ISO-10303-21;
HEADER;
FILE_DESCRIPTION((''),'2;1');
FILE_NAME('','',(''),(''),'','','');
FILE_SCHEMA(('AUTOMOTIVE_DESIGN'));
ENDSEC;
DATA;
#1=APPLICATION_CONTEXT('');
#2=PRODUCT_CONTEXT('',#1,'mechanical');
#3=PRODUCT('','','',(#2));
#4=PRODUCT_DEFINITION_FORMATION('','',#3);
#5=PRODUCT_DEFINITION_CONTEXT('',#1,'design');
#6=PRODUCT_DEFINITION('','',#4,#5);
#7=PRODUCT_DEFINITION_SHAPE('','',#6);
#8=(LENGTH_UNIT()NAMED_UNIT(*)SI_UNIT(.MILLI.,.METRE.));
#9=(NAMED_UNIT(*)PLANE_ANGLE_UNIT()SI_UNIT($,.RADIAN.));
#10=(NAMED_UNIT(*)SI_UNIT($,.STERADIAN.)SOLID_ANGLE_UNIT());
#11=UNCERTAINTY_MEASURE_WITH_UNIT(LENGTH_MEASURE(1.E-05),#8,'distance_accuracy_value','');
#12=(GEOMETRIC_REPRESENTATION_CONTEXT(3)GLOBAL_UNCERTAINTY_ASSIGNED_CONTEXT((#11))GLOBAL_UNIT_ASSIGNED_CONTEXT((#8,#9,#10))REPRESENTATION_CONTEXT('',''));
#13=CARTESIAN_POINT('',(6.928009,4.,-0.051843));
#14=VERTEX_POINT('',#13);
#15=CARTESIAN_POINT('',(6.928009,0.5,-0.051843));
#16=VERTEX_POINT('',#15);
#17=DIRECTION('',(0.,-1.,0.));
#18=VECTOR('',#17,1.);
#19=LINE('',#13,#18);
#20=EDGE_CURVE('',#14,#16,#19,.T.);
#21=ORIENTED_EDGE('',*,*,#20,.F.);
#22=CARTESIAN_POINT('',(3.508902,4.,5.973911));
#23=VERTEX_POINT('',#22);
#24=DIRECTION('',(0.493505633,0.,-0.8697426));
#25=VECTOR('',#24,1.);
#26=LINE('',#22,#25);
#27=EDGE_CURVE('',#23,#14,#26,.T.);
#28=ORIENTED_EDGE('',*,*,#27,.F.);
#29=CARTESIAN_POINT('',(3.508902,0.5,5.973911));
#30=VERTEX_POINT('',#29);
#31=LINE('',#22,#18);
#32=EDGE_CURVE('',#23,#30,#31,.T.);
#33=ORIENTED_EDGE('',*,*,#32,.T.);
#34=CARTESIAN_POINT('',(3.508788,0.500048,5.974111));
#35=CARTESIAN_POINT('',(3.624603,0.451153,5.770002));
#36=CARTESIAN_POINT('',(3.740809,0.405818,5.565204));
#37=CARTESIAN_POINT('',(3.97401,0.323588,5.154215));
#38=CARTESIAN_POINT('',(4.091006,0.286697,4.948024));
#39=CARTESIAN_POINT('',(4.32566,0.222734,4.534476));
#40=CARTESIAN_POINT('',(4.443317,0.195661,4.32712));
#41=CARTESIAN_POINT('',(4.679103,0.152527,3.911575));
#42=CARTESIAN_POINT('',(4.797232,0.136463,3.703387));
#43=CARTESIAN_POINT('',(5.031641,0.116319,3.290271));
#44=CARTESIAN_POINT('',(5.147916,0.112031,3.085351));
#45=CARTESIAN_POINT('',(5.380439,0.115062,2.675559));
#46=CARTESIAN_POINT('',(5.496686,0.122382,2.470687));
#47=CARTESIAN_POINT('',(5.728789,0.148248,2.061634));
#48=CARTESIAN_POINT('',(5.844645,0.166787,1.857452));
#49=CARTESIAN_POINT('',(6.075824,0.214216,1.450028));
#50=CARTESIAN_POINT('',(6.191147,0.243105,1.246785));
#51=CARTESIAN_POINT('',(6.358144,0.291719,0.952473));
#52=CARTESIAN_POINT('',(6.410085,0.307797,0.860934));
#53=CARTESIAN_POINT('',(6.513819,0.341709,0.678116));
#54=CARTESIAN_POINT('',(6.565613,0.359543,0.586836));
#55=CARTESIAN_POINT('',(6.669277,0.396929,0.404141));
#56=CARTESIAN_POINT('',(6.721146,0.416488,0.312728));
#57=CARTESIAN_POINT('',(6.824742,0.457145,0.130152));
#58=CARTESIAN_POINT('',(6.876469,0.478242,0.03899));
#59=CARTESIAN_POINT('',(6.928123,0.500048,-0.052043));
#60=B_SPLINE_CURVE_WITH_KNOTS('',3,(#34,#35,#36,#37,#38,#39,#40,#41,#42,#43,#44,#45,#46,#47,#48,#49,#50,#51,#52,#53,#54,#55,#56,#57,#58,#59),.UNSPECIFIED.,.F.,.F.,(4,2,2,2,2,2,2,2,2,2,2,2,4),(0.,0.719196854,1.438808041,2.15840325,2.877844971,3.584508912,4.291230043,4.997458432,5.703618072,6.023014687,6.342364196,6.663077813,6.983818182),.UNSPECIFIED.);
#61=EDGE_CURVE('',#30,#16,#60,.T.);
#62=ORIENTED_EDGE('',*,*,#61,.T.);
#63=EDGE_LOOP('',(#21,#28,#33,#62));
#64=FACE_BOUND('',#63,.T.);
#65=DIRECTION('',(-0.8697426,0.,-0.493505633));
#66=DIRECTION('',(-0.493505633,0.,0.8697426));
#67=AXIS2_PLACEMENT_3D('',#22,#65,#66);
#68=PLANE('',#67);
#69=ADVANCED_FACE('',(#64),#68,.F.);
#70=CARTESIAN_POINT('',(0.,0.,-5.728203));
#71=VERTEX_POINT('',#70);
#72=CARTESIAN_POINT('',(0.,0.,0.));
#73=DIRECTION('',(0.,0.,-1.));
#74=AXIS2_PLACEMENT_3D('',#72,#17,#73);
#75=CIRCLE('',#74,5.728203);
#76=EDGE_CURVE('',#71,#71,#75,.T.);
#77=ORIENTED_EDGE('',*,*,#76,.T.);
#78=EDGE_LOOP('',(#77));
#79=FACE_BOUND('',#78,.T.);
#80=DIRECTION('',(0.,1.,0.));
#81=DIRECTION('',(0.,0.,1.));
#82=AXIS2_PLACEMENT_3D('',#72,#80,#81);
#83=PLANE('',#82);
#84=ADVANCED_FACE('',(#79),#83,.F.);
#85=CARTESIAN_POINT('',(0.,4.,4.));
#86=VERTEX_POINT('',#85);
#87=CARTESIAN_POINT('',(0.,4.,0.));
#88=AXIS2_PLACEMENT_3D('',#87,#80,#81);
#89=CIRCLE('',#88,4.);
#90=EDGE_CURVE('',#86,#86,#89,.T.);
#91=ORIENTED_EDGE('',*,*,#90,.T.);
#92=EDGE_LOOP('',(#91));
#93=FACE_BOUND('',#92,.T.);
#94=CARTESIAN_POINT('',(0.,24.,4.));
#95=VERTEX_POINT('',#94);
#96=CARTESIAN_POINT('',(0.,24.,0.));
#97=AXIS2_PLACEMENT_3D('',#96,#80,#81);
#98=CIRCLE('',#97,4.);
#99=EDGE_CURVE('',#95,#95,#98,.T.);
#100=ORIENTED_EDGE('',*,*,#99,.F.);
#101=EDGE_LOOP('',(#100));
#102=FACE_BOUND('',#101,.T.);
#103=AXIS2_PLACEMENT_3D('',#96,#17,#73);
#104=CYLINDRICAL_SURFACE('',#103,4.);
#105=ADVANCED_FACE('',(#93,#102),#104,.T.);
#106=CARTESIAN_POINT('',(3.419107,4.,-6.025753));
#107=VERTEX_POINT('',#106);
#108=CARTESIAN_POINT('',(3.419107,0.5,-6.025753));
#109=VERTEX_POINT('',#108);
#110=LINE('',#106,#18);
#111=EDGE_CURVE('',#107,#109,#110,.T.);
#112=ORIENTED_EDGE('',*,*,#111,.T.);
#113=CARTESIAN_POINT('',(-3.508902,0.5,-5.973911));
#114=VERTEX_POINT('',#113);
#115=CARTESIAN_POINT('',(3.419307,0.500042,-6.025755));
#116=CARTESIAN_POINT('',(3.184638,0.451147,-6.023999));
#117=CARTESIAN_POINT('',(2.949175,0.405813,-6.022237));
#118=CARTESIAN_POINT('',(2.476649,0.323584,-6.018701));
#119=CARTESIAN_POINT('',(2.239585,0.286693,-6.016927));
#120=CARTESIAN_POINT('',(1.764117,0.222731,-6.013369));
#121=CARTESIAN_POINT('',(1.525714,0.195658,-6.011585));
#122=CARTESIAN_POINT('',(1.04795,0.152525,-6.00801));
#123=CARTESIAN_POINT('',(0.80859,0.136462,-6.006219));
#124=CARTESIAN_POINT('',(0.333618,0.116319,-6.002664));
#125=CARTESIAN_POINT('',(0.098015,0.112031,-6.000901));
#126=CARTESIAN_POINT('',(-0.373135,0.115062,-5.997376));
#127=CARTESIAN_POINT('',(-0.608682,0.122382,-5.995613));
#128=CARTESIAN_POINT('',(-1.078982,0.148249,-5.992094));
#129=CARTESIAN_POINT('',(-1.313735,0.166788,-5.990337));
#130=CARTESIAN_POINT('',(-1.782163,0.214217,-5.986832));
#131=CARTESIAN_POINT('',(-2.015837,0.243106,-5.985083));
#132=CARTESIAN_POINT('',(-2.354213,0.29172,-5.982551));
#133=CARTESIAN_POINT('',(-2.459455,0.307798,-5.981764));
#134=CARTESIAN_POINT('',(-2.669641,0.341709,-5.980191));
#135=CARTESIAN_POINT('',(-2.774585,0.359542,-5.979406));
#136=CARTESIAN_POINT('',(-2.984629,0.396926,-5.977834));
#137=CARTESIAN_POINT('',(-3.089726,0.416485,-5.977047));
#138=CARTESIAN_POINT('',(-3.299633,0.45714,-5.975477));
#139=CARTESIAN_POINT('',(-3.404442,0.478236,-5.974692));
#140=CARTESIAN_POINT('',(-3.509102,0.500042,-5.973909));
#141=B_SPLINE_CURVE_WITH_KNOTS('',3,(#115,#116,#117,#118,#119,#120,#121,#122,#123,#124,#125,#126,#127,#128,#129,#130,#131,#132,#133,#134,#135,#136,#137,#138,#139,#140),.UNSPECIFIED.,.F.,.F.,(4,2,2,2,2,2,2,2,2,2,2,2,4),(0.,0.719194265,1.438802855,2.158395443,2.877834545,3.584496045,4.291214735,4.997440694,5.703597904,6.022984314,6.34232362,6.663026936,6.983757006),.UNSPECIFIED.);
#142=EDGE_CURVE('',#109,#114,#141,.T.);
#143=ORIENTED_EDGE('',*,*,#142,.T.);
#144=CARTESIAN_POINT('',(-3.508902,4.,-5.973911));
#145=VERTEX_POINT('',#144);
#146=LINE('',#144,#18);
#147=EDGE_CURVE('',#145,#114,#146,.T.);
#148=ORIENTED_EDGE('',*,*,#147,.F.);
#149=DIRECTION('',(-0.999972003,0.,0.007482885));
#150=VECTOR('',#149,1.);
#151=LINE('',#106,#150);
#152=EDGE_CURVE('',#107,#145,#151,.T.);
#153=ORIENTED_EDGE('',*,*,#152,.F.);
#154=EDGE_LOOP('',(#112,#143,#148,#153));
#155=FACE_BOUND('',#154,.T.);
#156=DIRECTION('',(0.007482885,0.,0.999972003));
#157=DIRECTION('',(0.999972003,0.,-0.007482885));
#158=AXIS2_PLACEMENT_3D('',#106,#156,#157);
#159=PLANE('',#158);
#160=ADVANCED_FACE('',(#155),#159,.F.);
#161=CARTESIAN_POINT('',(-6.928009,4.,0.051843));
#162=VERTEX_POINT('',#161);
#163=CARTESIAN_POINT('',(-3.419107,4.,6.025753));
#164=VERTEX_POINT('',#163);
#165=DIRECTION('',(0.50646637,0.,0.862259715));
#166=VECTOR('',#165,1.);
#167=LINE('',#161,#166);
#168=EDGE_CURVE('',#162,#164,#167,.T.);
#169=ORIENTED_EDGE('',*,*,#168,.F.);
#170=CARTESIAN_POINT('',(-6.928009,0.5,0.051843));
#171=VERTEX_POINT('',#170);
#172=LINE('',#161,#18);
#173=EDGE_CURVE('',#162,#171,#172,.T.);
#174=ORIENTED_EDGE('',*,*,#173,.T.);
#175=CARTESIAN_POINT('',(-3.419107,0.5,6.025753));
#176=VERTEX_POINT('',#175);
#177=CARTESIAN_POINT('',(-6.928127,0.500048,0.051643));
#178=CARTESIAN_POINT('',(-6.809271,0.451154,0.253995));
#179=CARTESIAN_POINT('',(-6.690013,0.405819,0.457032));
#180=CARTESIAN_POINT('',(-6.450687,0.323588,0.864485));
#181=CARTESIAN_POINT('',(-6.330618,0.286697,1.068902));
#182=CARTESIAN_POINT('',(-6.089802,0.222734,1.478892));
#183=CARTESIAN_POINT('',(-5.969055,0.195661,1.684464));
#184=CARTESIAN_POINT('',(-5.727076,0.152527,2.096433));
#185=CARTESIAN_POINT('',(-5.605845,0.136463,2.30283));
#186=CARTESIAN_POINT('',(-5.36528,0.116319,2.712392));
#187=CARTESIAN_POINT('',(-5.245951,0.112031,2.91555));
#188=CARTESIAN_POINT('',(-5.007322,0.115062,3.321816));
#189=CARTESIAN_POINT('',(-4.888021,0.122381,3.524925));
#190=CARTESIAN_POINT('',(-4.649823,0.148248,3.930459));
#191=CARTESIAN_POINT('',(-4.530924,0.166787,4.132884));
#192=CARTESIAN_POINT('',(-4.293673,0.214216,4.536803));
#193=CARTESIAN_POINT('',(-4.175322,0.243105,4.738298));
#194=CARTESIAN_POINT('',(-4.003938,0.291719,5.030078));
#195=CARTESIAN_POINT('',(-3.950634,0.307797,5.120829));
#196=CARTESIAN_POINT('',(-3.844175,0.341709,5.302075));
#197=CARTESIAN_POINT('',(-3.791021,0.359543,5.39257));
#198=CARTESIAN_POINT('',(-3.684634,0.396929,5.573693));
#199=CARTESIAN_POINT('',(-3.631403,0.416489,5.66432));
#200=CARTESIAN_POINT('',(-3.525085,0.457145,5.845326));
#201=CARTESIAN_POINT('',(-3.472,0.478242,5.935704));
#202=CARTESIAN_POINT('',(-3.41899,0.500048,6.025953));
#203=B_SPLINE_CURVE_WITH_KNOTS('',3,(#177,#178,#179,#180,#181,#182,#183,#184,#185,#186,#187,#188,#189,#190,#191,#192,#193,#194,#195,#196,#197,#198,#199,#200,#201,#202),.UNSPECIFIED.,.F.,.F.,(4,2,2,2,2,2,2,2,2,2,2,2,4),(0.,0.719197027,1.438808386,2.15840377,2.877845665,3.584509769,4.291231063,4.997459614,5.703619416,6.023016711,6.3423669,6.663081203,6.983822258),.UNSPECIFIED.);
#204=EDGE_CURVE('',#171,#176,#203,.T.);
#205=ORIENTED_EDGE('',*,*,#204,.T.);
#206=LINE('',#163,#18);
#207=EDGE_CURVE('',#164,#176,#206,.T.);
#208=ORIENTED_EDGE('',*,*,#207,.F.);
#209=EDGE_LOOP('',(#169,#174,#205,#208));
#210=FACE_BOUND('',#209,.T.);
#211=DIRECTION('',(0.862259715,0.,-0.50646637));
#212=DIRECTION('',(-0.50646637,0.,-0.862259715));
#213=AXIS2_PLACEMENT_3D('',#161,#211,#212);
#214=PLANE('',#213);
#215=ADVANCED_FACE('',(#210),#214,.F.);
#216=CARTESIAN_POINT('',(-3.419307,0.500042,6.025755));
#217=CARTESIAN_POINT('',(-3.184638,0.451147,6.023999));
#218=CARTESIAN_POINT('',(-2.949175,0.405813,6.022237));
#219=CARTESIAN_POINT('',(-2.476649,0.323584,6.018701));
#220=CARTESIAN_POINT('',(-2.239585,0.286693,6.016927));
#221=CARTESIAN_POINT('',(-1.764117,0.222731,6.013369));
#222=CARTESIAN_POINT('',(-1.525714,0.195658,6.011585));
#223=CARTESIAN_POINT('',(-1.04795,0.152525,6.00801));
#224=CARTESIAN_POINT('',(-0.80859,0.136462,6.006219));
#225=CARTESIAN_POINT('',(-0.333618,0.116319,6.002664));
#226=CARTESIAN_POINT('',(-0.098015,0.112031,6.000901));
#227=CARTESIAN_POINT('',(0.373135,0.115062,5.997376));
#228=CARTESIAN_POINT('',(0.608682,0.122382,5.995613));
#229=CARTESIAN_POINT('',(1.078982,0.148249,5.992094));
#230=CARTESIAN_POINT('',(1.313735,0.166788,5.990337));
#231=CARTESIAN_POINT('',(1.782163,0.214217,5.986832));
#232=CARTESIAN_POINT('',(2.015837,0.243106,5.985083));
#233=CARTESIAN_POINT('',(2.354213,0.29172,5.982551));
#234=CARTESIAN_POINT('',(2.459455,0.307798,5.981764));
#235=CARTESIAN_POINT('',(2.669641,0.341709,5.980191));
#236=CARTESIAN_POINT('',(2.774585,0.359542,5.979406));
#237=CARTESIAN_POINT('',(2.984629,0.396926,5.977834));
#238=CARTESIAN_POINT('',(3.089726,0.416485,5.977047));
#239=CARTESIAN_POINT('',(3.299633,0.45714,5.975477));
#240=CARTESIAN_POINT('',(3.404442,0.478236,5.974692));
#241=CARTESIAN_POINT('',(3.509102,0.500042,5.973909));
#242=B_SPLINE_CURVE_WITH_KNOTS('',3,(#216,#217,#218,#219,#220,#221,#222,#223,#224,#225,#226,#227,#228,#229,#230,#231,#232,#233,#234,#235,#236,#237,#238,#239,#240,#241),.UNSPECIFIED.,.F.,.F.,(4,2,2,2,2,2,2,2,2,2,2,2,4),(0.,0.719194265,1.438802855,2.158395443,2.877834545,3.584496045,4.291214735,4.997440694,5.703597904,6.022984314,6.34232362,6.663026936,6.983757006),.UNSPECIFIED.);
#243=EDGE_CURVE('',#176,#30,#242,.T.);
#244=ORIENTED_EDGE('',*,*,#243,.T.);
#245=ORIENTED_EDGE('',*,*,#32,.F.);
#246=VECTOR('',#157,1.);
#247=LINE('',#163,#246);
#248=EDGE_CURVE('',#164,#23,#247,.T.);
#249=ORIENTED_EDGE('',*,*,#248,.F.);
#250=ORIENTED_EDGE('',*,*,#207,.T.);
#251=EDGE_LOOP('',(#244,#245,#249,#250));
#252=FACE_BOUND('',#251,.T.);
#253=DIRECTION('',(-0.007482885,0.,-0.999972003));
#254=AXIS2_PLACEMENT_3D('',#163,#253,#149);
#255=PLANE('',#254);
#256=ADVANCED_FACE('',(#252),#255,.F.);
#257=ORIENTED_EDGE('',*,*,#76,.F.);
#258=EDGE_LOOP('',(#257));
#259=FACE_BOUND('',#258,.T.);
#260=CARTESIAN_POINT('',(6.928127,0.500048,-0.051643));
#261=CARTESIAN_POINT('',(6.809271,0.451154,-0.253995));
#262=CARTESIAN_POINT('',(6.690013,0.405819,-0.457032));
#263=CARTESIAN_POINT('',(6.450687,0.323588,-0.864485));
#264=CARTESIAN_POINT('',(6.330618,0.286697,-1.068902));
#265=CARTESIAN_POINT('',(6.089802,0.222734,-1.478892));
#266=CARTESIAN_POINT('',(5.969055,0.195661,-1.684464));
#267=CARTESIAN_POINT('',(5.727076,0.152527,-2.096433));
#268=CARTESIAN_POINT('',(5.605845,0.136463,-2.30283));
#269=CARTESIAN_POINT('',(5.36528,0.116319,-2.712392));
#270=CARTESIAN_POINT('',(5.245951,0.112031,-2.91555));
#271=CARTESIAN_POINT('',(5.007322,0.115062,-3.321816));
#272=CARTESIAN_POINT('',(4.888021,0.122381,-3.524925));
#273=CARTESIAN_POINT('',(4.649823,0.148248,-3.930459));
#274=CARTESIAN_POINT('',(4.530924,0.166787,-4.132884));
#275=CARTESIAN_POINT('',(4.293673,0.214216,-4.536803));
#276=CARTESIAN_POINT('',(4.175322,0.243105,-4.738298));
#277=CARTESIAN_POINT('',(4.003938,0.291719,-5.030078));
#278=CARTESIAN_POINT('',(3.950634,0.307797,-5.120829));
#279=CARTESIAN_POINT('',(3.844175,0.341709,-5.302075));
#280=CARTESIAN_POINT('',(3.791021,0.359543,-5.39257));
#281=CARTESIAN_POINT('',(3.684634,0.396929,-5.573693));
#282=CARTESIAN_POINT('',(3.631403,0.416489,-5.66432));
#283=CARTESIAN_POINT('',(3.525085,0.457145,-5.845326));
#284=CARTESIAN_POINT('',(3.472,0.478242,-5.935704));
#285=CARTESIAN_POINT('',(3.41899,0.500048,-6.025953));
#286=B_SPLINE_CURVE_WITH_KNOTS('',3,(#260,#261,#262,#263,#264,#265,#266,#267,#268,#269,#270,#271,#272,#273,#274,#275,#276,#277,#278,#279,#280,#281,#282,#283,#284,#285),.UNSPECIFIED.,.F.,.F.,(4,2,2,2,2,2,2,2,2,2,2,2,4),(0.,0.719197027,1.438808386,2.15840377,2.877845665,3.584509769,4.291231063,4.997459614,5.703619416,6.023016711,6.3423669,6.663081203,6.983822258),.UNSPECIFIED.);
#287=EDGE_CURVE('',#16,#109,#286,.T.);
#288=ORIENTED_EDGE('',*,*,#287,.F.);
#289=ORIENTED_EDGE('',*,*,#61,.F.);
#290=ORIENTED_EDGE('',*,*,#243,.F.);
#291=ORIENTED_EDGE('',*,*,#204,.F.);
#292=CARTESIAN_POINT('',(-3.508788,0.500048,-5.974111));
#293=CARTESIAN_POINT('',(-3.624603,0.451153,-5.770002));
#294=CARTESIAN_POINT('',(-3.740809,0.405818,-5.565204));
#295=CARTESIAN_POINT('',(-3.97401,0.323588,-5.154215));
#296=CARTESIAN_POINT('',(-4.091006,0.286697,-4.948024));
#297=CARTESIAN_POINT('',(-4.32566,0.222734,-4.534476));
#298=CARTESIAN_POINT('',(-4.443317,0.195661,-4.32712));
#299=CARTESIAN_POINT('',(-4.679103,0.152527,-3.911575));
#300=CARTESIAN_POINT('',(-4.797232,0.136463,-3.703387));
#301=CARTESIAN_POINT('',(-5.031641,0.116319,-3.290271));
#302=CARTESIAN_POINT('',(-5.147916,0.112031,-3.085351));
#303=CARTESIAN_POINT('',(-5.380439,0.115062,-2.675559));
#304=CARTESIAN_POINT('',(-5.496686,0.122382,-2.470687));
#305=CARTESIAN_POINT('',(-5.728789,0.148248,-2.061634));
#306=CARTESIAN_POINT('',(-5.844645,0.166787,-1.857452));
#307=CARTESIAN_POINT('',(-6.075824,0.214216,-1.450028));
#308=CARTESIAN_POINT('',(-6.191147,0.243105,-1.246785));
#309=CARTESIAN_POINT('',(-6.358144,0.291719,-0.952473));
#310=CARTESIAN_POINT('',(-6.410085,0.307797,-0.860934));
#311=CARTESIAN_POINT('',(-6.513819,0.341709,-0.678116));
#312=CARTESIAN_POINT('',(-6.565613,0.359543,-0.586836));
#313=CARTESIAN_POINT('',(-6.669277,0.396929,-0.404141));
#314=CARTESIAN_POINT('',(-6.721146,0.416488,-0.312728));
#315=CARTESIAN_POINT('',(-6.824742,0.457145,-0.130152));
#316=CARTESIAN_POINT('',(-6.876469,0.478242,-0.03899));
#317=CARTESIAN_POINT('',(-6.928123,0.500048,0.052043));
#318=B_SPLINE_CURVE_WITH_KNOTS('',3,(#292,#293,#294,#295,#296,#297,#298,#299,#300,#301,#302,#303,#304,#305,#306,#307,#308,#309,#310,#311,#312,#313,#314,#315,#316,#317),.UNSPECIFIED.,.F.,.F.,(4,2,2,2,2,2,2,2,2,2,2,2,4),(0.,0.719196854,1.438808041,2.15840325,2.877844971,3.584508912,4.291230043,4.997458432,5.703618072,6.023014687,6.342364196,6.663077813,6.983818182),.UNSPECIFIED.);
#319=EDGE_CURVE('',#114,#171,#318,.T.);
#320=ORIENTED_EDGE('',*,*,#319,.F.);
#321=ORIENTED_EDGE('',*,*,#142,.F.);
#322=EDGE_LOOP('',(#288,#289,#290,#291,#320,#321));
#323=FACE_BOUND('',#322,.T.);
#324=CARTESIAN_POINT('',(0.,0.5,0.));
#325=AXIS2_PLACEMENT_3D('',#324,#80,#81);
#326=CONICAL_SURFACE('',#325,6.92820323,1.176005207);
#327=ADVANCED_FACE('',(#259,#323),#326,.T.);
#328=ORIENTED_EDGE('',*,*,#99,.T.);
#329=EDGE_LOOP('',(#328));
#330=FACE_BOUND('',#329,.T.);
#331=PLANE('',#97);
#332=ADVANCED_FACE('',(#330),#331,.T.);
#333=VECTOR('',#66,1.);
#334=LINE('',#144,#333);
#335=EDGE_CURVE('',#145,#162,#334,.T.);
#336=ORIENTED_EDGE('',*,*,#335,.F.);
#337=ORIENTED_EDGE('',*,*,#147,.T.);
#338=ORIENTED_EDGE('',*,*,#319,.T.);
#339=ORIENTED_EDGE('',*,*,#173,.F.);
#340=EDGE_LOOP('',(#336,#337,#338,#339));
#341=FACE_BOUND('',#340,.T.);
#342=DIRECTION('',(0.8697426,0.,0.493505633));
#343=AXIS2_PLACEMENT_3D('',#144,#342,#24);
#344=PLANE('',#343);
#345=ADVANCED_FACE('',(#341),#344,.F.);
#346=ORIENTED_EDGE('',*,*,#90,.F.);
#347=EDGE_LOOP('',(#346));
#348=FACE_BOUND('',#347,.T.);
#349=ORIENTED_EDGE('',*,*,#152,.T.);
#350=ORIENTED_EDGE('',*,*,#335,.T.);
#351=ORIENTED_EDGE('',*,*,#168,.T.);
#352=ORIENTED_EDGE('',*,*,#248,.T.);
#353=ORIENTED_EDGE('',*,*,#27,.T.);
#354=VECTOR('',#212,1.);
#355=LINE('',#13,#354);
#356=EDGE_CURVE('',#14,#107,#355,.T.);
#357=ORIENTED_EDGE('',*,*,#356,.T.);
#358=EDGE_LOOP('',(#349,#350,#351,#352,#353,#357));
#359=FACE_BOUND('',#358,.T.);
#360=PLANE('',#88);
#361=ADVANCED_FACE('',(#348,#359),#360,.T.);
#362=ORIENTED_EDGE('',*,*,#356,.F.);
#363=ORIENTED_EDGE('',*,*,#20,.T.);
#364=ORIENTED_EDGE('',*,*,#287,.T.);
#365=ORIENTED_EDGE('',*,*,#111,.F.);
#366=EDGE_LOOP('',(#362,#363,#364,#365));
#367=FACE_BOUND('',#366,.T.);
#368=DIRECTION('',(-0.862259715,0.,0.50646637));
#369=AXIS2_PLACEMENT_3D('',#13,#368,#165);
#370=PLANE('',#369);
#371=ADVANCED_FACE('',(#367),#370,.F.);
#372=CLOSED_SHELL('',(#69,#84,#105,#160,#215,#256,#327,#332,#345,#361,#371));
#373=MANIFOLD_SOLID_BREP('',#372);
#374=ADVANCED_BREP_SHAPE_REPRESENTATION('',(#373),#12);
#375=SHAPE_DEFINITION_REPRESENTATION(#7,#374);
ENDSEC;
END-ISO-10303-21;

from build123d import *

# Parameters (mm, degrees)
EXTRUDE_1_DEPTH = 4
SKETCH_2_R      = 4
EXTRUDE_2_DEPTH = 20


with BuildPart() as part:
    # 草图1 → 凸台-拉伸1 (new body)
    with BuildSketch(Plane(origin=(0, 0, 0), x_dir=(1, 0, 0), z_dir=(0, 1, 0))):
        Polygon((3.419107318, 6.025753492), (-3.508901942, 5.973910542), (-6.92800926, -0.05184295), (-3.419107318, -6.025753492), (3.508901942, -5.973910542), (6.92800926, 0.05184295), align=None)
    extrude(amount=EXTRUDE_1_DEPTH)

    # 草图2 → 凸台-拉伸2 (add)
    with BuildSketch(Plane(origin=(0, 4, 0), x_dir=(1, 0, 0), z_dir=(0, 1, 0))):
        with Locations(Location((0, 0, 0), (0, 0, 270))):
            Circle(SKETCH_2_R)
    extrude(amount=EXTRUDE_2_DEPTH)

    # 草图5 → 切除-旋转3 (revolve, cut)
    with BuildSketch(Plane(origin=(0, 0, 0), x_dir=(0.4935056326713254, 0, -0.8697426001534447), z_dir=(0.8697426001534447, 0, 0.4935056326713254)), mode=Mode.PRIVATE) as cut_revolve_3_sk:
        Polygon((6.92820323, 0.5), (5.72820323, 0), (6.92820323, 0), align=None)
    revolve(cut_revolve_3_sk.sketch.rotate(Axis((0, -1000, 0), (0, 1, 0)), 179.999999998), axis=Axis((0, -1000, 0), (0, 1, 0)), mode=Mode.SUBTRACT)


solid = part.part
